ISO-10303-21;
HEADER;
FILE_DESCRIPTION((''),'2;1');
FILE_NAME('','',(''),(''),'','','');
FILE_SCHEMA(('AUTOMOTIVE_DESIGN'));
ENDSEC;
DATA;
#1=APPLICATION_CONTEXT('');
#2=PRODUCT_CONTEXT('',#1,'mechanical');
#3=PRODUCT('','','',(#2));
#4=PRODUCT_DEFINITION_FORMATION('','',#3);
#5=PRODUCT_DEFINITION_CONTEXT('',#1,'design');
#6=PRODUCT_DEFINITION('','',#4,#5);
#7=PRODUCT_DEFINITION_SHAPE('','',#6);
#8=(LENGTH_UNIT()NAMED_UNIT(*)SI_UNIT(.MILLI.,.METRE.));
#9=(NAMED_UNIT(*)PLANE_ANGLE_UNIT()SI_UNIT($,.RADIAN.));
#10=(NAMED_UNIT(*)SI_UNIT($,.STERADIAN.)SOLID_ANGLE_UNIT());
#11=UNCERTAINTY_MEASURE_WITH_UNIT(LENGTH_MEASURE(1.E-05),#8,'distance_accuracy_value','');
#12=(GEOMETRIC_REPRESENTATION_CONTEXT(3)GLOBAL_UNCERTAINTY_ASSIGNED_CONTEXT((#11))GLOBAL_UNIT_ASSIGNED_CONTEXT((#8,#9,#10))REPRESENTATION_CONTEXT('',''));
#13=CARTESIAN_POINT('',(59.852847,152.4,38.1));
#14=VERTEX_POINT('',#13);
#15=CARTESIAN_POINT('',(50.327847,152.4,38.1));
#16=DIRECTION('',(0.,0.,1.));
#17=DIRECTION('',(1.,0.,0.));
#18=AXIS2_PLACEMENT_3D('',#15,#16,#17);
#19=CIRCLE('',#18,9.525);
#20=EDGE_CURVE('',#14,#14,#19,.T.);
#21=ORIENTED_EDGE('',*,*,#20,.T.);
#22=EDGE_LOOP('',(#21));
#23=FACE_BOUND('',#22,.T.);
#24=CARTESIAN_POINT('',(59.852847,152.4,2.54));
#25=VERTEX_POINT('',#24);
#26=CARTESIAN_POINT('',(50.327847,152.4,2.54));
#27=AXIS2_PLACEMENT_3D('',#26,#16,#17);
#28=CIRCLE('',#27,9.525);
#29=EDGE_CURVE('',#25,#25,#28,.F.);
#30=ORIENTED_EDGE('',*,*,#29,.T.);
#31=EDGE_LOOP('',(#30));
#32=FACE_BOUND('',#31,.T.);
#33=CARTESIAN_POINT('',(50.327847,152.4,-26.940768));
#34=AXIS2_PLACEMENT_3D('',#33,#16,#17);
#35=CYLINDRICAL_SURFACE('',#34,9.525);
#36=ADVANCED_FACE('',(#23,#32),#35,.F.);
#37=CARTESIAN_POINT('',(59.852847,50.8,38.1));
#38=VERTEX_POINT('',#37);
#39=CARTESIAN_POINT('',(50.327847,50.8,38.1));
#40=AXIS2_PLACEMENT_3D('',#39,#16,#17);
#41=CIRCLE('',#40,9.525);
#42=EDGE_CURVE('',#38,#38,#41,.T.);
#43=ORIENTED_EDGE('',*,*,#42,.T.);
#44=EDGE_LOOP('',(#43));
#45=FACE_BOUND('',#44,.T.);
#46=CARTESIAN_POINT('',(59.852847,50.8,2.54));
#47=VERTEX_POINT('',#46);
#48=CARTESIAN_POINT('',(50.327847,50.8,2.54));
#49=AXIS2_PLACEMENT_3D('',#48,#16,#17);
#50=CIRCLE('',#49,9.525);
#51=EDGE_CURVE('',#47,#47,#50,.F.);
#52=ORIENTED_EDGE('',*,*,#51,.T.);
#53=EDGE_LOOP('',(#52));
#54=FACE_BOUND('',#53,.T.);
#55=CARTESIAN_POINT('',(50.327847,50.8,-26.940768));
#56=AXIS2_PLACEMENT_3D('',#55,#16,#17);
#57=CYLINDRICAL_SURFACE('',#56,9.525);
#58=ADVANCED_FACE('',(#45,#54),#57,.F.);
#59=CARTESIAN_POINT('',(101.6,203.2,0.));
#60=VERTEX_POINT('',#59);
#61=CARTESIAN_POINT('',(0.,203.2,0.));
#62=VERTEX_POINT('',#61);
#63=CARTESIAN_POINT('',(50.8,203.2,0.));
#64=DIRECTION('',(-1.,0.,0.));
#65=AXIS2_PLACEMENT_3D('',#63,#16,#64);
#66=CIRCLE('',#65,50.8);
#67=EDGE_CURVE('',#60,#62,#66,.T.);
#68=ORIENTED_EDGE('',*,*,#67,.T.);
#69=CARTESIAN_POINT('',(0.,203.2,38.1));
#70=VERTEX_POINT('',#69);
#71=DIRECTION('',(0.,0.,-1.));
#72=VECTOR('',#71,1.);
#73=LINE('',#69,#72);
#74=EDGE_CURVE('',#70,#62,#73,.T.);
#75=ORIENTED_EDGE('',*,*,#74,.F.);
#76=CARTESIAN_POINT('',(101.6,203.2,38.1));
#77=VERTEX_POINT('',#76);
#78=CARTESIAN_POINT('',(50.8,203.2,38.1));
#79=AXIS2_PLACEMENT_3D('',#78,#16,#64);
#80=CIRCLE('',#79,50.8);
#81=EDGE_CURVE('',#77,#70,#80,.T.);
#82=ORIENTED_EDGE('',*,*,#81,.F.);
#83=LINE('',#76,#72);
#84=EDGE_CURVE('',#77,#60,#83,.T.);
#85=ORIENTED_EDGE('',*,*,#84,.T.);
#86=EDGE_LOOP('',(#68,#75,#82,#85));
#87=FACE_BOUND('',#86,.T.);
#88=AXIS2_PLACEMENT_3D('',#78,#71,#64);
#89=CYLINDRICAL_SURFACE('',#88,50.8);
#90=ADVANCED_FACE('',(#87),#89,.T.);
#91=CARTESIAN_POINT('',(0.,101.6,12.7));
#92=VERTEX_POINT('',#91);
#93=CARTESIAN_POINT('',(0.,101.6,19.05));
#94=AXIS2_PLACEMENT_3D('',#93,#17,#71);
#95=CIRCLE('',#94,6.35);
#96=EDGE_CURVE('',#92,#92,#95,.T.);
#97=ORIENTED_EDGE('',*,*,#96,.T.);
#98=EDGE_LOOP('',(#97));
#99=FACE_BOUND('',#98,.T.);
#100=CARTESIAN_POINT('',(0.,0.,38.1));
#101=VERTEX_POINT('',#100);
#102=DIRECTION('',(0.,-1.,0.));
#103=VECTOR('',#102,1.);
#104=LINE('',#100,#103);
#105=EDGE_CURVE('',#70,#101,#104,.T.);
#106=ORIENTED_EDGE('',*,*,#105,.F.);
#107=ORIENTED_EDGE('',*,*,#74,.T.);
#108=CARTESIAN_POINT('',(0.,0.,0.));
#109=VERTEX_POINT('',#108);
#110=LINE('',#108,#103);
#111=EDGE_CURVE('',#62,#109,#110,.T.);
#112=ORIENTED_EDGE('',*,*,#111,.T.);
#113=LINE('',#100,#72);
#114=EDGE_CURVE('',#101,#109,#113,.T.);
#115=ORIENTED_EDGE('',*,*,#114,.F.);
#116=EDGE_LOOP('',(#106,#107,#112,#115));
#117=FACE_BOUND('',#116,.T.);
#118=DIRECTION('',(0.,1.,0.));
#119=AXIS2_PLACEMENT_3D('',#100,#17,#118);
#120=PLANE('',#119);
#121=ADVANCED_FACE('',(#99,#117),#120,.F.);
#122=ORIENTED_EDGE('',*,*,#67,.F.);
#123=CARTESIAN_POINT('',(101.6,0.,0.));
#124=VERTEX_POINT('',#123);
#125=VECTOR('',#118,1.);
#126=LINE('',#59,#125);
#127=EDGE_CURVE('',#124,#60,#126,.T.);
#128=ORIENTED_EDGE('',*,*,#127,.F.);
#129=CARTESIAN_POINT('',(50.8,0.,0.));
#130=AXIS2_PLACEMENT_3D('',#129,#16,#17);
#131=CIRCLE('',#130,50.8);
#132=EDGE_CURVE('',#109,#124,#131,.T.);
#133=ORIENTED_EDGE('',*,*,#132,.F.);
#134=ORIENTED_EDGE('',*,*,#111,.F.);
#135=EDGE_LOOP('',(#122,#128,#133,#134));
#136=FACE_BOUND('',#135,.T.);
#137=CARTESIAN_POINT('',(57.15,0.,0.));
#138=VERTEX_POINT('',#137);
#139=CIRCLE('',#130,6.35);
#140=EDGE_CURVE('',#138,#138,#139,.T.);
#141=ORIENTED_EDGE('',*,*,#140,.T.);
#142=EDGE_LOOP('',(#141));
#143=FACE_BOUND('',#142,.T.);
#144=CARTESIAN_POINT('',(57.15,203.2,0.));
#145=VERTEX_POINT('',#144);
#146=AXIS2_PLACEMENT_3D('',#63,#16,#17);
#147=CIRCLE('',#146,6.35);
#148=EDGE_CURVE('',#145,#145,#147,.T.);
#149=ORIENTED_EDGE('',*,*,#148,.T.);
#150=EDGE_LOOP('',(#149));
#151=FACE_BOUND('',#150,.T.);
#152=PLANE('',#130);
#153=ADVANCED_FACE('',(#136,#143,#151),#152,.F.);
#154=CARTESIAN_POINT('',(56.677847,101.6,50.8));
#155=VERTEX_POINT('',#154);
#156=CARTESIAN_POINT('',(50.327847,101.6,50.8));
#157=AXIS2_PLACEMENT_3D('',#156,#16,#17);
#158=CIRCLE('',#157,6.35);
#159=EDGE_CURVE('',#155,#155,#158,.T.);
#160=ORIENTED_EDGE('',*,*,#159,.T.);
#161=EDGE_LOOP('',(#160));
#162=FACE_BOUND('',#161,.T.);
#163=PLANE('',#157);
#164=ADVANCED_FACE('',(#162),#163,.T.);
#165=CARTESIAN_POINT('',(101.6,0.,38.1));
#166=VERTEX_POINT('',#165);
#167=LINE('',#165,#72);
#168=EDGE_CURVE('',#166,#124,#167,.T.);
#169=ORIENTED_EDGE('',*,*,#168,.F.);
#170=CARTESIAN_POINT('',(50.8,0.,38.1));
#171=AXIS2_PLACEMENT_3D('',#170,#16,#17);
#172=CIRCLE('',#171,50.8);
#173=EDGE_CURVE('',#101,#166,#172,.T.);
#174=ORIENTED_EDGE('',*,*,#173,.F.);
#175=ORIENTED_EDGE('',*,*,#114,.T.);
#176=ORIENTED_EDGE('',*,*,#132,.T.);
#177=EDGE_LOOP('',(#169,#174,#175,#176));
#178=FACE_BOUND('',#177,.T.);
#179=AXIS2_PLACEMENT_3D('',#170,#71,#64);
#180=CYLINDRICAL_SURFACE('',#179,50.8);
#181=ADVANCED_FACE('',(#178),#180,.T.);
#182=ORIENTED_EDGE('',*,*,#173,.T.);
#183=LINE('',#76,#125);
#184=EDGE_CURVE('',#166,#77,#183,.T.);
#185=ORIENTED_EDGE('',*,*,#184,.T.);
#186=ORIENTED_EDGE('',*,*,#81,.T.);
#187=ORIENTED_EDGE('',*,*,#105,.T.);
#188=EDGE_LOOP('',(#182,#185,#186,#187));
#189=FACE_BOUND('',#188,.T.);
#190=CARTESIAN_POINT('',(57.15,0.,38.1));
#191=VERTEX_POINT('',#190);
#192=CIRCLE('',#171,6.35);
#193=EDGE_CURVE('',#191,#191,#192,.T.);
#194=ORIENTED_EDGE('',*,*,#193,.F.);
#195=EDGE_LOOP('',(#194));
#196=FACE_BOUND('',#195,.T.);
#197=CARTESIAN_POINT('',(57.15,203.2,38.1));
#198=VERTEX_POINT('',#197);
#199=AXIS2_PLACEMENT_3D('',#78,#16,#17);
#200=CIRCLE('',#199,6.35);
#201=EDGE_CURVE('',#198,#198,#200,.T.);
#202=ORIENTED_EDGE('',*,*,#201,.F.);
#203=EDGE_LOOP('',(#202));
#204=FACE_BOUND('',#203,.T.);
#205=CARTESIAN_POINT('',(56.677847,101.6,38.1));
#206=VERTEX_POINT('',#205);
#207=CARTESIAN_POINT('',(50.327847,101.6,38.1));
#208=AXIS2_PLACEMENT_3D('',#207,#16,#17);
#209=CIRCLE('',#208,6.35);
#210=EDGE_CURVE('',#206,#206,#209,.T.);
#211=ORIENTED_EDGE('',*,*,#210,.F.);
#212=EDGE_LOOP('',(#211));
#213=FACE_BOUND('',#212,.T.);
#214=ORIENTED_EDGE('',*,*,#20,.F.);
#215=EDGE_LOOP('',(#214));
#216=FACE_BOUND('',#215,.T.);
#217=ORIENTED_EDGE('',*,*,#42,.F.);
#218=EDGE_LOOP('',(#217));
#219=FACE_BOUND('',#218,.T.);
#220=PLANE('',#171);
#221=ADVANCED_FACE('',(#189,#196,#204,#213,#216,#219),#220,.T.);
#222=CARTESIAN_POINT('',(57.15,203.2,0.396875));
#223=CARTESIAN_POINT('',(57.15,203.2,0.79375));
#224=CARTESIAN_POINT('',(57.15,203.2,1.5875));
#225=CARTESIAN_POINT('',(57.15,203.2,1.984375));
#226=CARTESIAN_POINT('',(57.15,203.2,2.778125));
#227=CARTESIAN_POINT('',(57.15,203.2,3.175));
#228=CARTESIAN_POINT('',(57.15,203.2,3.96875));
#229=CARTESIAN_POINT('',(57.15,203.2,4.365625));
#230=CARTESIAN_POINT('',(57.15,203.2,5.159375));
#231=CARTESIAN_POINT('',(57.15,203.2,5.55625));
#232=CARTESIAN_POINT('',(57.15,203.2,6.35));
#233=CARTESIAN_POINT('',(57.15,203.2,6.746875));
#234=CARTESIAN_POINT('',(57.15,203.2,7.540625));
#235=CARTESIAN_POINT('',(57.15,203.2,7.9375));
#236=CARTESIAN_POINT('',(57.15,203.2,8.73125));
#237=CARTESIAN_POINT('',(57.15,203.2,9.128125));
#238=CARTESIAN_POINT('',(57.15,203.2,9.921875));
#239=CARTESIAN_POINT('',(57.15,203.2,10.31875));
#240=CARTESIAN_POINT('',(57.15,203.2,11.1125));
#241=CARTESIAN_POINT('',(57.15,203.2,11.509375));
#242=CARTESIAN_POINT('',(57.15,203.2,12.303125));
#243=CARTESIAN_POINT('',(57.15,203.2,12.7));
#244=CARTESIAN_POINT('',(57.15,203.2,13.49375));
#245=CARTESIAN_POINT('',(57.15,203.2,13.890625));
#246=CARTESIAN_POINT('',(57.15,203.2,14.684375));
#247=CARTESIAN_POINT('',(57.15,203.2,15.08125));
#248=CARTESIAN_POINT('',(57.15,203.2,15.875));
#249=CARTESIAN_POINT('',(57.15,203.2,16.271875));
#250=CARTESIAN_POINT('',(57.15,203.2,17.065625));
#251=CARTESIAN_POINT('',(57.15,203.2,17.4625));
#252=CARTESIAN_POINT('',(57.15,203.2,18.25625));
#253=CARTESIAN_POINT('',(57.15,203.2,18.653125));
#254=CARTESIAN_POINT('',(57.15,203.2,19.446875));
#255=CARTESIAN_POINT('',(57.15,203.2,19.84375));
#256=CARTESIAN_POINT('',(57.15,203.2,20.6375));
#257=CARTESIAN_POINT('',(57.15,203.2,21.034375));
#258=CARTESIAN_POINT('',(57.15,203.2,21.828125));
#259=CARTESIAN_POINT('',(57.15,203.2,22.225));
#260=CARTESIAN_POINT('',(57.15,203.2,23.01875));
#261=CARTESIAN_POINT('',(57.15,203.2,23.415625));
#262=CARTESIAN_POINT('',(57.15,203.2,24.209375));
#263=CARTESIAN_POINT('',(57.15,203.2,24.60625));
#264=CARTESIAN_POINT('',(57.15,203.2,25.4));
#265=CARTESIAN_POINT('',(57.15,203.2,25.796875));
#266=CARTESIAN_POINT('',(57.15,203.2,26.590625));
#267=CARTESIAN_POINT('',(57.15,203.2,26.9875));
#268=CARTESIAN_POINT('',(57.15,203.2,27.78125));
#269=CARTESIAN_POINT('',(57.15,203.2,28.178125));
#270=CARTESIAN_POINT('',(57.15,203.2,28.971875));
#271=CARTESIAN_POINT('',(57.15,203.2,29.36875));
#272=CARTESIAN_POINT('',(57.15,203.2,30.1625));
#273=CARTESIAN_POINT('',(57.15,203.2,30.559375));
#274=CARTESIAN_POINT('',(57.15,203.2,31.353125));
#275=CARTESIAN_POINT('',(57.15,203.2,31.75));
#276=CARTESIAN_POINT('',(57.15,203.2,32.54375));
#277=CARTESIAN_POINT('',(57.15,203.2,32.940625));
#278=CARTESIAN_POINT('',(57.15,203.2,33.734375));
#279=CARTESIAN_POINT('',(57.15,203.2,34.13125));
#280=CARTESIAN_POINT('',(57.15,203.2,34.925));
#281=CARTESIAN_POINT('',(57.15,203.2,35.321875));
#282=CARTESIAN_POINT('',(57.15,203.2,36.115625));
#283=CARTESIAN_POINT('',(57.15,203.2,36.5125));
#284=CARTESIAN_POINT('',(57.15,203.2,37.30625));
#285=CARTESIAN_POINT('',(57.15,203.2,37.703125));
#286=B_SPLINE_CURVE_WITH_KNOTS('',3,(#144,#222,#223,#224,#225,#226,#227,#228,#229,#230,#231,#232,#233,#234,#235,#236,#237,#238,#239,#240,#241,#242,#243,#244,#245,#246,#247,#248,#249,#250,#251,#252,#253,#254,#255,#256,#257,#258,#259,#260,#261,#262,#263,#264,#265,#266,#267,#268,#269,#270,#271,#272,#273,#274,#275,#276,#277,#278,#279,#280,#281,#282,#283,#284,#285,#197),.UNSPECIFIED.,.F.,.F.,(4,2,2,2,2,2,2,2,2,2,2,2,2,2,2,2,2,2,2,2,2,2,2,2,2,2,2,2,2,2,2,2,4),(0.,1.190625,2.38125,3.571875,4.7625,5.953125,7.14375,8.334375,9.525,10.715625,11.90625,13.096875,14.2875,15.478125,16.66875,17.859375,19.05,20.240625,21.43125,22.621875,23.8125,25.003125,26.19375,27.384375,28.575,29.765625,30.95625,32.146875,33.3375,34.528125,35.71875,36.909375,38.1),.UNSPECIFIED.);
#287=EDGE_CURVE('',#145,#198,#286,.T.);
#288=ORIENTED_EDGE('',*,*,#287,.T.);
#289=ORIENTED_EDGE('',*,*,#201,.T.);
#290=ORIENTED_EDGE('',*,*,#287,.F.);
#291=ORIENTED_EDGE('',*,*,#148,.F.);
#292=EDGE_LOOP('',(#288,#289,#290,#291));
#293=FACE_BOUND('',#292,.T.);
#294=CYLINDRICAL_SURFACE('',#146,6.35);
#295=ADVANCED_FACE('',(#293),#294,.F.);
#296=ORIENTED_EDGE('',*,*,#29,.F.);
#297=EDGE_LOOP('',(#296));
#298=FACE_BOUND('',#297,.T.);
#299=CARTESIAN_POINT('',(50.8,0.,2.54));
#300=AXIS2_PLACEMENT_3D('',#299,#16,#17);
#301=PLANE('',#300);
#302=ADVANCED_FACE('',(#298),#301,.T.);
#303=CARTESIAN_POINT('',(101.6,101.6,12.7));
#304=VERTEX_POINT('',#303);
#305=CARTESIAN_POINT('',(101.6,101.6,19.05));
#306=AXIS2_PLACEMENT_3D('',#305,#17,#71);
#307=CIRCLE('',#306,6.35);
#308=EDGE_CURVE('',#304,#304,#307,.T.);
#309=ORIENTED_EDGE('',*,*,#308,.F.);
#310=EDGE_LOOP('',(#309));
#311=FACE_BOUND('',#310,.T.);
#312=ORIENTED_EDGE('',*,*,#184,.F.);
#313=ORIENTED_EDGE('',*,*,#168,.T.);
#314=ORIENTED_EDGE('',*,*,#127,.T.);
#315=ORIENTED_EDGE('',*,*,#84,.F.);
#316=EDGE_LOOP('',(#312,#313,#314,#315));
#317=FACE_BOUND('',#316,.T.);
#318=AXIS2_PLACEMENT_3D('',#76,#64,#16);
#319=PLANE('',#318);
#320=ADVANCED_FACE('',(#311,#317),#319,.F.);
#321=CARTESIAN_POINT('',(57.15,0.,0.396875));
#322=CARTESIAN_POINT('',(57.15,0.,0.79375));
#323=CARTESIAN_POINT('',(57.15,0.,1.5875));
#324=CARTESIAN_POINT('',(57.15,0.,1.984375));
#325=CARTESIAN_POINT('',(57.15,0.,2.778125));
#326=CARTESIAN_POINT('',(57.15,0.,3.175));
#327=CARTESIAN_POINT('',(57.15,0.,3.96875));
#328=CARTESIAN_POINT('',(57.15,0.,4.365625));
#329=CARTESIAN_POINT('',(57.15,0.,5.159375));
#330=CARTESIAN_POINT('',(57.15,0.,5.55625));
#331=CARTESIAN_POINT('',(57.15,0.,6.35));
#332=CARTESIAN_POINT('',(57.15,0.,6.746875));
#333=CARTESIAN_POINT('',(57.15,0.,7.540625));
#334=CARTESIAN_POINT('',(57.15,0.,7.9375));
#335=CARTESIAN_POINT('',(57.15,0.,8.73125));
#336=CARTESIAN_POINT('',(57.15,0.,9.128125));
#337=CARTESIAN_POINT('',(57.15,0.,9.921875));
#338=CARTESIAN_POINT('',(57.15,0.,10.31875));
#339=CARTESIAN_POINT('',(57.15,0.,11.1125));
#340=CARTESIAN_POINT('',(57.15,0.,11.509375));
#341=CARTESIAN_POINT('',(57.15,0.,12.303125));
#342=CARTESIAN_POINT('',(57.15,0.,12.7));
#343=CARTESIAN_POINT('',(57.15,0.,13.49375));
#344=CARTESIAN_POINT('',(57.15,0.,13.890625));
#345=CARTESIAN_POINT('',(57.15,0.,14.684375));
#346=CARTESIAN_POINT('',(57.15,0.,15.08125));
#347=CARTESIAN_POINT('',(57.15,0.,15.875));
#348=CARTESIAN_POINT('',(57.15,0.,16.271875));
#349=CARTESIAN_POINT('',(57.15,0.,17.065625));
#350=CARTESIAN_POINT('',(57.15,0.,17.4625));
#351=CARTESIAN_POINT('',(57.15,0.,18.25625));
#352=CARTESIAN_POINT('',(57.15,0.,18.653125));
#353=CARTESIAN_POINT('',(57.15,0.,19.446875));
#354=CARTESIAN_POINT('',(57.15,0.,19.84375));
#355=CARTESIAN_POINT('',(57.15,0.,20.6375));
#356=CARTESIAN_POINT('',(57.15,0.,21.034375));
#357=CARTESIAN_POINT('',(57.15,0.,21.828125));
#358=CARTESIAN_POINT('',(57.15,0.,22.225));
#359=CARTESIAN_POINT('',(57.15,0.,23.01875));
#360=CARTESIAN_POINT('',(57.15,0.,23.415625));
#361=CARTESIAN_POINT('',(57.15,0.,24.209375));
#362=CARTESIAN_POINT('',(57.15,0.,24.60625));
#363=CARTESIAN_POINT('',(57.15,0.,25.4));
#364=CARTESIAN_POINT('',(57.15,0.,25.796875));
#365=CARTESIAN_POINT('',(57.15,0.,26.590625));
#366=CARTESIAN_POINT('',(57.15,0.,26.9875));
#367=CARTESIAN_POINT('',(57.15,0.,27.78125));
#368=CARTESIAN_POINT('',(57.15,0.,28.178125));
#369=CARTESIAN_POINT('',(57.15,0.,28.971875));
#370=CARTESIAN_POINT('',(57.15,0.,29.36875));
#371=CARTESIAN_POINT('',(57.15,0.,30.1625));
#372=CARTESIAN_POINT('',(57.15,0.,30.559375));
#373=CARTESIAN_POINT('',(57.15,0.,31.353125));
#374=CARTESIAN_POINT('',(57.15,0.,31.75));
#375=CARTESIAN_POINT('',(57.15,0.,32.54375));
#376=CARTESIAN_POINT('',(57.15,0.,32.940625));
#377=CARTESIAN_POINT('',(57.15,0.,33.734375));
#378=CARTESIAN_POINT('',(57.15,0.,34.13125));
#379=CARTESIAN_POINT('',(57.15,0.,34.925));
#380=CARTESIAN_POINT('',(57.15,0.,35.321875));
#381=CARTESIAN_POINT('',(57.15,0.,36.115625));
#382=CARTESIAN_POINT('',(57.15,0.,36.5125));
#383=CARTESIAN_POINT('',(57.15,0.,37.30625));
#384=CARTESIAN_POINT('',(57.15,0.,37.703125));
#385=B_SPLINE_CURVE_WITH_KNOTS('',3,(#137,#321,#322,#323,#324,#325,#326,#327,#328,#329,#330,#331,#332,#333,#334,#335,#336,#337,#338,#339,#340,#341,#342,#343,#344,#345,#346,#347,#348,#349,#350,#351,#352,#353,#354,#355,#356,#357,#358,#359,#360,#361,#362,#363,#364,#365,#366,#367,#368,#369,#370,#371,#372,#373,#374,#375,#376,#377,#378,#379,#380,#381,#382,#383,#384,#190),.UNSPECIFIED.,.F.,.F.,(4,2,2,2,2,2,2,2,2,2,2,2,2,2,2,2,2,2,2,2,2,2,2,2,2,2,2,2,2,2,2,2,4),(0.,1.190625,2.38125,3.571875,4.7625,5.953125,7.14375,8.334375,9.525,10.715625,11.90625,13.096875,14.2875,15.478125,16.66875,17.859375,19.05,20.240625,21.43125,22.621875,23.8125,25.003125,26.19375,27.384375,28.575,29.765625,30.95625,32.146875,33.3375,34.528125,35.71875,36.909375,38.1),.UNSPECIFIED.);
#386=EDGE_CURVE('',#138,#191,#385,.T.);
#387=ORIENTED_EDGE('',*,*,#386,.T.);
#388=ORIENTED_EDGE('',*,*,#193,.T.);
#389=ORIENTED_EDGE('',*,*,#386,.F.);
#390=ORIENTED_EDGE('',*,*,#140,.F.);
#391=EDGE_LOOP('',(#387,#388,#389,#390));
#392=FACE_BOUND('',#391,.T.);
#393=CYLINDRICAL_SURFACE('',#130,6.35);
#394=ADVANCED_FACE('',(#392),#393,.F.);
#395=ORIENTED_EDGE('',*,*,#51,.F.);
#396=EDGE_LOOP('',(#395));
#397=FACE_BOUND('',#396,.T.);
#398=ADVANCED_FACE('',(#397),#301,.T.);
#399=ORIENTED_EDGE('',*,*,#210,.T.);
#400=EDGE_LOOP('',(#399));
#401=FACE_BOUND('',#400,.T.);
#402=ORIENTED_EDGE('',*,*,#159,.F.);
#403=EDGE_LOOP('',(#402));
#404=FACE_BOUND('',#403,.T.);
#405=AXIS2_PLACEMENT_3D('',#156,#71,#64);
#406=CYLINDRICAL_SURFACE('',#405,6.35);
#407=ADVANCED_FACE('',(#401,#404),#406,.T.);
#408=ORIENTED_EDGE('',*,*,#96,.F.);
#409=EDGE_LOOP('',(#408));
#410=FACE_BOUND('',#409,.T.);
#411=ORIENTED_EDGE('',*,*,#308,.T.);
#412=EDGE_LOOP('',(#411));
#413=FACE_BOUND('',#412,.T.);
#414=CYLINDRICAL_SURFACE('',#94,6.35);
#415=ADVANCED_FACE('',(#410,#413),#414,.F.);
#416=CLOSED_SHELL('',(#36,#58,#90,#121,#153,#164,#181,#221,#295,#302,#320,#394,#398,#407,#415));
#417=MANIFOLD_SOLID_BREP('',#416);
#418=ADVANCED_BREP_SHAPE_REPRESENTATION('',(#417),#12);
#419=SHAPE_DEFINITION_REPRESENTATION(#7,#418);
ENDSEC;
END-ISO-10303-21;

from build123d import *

# Parameters (mm, degrees)
BOSS_EXTRUDE1_DEPTH = 38.1
SKETCH2_R           = 6.35
CUT_EXTRUDE1_DEPTH  = 277.206752271
SKETCH3_R           = 9.525
CUT_EXTRUDE3_DEPTH  = 35.56
SKETCH5_R           = 6.35
BOSS_EXTRUDE2_DEPTH = 12.7
SKETCH6_R           = 6.35
CUT_EXTRUDE4_DEPTH  = 279.243059213


with BuildPart() as part:
    # Sketch1 → Boss-Extrude1 (new body)
    with BuildSketch(Plane.XY):
        with BuildLine():
            Line((0, 0), (0, 203.2))
            ThreePointArc((0, 203.2), (50.8, 254), (101.6, 203.2))
            Line((101.6, 203.2), (101.6, 0))
            ThreePointArc((101.6, 0), (50.8, -50.8), (0, 0))
        make_face()
    extrude(amount=BOSS_EXTRUDE1_DEPTH)

    # Sketch2 → Cut-Extrude1 (cut, through all)
    with BuildSketch(Plane.XY.offset(38.1)):
        with Locations((50.8, 203.2)):
            Circle(SKETCH2_R)
        with Locations((50.8, 0)):
            Circle(SKETCH2_R)
    extrude(amount=-CUT_EXTRUDE1_DEPTH, mode=Mode.SUBTRACT)

    # Sketch3 → Cut-Extrude3 (cut)
    with BuildSketch(Plane.XY.offset(38.1)):
        with Locations((50.327847378, 152.4)):
            Circle(SKETCH3_R)
        with Locations((50.327847378, 50.8)):
            Circle(SKETCH3_R)
    extrude(amount=-CUT_EXTRUDE3_DEPTH, mode=Mode.SUBTRACT)

    # Sketch5 → Boss-Extrude2 (add)
    with BuildSketch(Plane.XY.offset(38.1)):
        with Locations((50.327847378, 101.6)):
            Circle(SKETCH5_R)
    extrude(amount=BOSS_EXTRUDE2_DEPTH)

    # Sketch6 → Cut-Extrude4 (cut, through all)
    with BuildSketch(Plane(origin=(101.6, 0, 0), x_dir=(0, 0, -1), z_dir=(1, 0, 0))):
        with Locations((-19.05, 101.6)):
            Circle(SKETCH6_R)
    extrude(amount=-CUT_EXTRUDE4_DEPTH, mode=Mode.SUBTRACT)


solid = part.part
